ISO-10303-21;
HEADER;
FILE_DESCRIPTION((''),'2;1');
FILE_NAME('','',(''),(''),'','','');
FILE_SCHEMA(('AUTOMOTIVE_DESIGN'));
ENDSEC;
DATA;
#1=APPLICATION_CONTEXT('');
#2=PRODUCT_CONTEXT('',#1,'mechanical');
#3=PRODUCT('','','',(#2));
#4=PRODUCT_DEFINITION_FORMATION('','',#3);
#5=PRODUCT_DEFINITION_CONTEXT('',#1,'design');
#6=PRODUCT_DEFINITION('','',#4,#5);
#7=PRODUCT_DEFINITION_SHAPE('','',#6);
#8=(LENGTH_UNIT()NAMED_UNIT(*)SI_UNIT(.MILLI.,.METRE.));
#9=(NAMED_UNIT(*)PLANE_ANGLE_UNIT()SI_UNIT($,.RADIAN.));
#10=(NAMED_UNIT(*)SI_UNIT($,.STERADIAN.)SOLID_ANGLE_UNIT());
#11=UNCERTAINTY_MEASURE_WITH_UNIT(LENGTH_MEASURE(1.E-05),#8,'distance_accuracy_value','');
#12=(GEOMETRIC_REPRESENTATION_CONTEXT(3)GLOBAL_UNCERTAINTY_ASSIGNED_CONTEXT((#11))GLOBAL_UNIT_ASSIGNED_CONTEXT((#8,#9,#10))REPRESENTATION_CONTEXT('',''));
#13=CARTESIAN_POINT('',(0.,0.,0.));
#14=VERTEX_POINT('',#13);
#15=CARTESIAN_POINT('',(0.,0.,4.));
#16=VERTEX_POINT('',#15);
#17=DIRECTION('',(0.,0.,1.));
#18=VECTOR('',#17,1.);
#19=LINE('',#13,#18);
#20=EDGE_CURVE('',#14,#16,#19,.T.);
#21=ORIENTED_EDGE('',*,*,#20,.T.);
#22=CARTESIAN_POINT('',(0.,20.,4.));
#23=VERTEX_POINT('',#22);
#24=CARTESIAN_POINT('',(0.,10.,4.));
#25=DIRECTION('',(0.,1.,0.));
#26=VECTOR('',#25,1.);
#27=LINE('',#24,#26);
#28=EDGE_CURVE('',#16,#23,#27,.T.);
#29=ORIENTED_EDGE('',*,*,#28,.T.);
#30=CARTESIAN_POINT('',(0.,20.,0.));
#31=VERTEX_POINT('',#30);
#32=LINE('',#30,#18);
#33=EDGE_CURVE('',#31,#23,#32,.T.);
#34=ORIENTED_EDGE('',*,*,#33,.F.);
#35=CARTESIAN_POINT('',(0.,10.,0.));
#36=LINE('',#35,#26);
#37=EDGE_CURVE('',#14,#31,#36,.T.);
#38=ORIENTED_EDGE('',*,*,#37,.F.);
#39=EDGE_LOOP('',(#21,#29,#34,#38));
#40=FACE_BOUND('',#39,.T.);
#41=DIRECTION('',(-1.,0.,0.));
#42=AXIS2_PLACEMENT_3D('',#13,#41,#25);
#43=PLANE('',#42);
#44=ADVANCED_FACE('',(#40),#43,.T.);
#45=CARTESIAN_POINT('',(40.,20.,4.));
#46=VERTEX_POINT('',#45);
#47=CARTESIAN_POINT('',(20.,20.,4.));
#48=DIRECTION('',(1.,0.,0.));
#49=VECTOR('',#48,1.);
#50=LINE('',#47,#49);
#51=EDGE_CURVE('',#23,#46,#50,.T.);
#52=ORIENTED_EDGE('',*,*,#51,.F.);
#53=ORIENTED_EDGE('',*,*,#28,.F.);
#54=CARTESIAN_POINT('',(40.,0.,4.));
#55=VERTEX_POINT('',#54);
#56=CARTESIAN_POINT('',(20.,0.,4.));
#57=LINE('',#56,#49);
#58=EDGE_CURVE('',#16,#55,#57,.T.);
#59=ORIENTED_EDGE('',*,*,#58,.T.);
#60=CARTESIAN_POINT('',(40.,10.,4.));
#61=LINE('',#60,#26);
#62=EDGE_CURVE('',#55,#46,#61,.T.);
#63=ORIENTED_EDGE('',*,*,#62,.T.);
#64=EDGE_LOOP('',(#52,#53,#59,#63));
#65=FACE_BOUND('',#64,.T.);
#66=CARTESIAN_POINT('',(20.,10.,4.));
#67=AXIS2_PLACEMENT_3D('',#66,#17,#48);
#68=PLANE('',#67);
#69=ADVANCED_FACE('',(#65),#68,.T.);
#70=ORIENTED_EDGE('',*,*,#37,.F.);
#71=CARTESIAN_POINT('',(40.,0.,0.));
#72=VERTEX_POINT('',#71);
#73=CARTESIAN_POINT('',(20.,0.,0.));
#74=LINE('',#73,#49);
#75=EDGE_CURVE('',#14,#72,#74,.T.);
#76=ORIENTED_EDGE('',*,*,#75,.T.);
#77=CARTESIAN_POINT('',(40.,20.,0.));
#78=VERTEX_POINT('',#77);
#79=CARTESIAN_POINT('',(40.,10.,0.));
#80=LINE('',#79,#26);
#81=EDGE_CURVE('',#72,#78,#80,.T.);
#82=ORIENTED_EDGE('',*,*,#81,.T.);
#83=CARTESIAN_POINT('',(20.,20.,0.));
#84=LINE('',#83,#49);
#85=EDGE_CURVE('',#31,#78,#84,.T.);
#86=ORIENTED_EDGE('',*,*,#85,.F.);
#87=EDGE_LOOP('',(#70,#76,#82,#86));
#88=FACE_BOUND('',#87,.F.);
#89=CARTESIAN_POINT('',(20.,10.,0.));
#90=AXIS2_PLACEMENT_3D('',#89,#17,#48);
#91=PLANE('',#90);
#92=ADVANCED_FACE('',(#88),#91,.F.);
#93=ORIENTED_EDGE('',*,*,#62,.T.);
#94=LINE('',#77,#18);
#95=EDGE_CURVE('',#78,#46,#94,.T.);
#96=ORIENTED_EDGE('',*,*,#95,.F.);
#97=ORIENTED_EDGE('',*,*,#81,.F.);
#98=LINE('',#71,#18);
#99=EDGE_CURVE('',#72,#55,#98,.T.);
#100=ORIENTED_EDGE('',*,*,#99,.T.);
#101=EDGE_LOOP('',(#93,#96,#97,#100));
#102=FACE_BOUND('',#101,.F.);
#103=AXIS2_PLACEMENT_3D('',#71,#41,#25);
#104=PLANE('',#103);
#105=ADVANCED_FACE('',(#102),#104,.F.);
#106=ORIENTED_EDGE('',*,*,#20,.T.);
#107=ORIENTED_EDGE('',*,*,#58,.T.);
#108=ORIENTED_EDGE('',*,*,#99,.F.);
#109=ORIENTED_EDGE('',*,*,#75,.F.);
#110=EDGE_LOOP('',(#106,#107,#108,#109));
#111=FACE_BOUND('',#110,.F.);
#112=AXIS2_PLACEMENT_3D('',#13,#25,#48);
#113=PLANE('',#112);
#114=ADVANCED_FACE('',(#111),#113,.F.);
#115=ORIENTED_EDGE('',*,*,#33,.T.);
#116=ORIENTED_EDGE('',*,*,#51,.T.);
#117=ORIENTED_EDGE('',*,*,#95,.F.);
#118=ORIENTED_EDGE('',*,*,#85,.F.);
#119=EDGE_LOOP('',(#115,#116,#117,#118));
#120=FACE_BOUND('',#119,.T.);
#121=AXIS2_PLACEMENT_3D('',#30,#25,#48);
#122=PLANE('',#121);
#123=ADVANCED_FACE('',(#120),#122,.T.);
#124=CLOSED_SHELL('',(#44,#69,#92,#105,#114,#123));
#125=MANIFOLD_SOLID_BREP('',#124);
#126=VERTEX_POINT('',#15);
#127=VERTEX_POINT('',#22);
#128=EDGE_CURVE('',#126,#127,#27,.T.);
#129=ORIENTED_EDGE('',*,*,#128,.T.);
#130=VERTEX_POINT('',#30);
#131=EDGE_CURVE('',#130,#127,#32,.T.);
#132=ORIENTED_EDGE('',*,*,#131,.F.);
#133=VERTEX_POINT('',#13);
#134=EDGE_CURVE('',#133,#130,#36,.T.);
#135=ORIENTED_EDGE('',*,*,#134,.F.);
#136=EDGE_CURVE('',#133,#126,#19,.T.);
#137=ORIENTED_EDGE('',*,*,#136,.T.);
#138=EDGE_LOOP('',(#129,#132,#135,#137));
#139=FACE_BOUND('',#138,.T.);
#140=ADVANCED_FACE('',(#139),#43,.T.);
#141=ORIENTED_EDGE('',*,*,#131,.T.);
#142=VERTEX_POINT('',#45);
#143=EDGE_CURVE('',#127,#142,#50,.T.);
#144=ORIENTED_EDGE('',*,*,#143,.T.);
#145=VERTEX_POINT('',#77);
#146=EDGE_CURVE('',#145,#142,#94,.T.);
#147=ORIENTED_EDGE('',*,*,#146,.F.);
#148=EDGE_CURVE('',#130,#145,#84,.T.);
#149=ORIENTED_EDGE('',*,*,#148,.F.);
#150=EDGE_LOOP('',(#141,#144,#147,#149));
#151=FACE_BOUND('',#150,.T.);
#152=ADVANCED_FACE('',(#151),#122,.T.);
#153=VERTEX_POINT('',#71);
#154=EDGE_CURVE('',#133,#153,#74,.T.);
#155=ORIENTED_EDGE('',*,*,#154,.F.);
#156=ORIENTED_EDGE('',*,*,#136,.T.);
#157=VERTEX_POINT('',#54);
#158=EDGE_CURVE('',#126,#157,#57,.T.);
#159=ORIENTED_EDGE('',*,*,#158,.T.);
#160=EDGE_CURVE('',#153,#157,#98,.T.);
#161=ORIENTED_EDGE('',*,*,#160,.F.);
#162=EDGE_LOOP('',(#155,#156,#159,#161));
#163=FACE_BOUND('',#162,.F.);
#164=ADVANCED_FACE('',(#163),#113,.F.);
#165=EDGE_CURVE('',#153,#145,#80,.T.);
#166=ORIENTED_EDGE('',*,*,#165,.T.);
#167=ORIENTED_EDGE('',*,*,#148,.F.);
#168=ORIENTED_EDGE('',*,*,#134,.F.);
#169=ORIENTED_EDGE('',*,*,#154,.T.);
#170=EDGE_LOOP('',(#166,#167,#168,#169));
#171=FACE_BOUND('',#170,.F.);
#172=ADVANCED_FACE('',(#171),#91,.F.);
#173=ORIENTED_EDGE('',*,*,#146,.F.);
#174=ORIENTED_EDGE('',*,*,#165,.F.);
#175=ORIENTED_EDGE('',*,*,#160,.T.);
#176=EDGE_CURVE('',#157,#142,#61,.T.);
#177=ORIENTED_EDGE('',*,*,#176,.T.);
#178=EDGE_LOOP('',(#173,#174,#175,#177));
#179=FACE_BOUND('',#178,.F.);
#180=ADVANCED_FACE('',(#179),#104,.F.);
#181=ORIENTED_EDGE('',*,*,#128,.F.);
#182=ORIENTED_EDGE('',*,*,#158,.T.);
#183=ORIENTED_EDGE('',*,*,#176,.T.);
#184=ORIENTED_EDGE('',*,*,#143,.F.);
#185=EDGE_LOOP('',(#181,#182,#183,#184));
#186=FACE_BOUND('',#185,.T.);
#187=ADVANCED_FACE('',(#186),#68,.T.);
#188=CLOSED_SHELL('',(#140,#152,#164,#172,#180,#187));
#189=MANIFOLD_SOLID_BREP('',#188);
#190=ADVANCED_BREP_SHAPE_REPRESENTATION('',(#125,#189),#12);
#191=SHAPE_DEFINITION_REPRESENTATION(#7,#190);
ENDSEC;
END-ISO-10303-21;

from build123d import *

# Parameters (mm, degrees)
SKETCH_W         = 40
SKETCH_H         = 20
EXTRUDE_DEPTH    = 4
EXTRUDE001_DEPTH = 4


with BuildPart() as extrude_body:
    # Sketch → Extrude (new body)
    with BuildSketch(Plane.XY):
        with Locations((20, 10)):
            Rectangle(SKETCH_W, SKETCH_H)
    extrude(amount=EXTRUDE_DEPTH)


with BuildPart() as extrude001:
    # Sketch → Extrude001 (new body)
    with BuildSketch(Plane.XY):
        with Locations((20, 10)):
            Rectangle(SKETCH_W, SKETCH_H)
    extrude(amount=EXTRUDE001_DEPTH)


solid = Compound([extrude_body.part, extrude001.part])
